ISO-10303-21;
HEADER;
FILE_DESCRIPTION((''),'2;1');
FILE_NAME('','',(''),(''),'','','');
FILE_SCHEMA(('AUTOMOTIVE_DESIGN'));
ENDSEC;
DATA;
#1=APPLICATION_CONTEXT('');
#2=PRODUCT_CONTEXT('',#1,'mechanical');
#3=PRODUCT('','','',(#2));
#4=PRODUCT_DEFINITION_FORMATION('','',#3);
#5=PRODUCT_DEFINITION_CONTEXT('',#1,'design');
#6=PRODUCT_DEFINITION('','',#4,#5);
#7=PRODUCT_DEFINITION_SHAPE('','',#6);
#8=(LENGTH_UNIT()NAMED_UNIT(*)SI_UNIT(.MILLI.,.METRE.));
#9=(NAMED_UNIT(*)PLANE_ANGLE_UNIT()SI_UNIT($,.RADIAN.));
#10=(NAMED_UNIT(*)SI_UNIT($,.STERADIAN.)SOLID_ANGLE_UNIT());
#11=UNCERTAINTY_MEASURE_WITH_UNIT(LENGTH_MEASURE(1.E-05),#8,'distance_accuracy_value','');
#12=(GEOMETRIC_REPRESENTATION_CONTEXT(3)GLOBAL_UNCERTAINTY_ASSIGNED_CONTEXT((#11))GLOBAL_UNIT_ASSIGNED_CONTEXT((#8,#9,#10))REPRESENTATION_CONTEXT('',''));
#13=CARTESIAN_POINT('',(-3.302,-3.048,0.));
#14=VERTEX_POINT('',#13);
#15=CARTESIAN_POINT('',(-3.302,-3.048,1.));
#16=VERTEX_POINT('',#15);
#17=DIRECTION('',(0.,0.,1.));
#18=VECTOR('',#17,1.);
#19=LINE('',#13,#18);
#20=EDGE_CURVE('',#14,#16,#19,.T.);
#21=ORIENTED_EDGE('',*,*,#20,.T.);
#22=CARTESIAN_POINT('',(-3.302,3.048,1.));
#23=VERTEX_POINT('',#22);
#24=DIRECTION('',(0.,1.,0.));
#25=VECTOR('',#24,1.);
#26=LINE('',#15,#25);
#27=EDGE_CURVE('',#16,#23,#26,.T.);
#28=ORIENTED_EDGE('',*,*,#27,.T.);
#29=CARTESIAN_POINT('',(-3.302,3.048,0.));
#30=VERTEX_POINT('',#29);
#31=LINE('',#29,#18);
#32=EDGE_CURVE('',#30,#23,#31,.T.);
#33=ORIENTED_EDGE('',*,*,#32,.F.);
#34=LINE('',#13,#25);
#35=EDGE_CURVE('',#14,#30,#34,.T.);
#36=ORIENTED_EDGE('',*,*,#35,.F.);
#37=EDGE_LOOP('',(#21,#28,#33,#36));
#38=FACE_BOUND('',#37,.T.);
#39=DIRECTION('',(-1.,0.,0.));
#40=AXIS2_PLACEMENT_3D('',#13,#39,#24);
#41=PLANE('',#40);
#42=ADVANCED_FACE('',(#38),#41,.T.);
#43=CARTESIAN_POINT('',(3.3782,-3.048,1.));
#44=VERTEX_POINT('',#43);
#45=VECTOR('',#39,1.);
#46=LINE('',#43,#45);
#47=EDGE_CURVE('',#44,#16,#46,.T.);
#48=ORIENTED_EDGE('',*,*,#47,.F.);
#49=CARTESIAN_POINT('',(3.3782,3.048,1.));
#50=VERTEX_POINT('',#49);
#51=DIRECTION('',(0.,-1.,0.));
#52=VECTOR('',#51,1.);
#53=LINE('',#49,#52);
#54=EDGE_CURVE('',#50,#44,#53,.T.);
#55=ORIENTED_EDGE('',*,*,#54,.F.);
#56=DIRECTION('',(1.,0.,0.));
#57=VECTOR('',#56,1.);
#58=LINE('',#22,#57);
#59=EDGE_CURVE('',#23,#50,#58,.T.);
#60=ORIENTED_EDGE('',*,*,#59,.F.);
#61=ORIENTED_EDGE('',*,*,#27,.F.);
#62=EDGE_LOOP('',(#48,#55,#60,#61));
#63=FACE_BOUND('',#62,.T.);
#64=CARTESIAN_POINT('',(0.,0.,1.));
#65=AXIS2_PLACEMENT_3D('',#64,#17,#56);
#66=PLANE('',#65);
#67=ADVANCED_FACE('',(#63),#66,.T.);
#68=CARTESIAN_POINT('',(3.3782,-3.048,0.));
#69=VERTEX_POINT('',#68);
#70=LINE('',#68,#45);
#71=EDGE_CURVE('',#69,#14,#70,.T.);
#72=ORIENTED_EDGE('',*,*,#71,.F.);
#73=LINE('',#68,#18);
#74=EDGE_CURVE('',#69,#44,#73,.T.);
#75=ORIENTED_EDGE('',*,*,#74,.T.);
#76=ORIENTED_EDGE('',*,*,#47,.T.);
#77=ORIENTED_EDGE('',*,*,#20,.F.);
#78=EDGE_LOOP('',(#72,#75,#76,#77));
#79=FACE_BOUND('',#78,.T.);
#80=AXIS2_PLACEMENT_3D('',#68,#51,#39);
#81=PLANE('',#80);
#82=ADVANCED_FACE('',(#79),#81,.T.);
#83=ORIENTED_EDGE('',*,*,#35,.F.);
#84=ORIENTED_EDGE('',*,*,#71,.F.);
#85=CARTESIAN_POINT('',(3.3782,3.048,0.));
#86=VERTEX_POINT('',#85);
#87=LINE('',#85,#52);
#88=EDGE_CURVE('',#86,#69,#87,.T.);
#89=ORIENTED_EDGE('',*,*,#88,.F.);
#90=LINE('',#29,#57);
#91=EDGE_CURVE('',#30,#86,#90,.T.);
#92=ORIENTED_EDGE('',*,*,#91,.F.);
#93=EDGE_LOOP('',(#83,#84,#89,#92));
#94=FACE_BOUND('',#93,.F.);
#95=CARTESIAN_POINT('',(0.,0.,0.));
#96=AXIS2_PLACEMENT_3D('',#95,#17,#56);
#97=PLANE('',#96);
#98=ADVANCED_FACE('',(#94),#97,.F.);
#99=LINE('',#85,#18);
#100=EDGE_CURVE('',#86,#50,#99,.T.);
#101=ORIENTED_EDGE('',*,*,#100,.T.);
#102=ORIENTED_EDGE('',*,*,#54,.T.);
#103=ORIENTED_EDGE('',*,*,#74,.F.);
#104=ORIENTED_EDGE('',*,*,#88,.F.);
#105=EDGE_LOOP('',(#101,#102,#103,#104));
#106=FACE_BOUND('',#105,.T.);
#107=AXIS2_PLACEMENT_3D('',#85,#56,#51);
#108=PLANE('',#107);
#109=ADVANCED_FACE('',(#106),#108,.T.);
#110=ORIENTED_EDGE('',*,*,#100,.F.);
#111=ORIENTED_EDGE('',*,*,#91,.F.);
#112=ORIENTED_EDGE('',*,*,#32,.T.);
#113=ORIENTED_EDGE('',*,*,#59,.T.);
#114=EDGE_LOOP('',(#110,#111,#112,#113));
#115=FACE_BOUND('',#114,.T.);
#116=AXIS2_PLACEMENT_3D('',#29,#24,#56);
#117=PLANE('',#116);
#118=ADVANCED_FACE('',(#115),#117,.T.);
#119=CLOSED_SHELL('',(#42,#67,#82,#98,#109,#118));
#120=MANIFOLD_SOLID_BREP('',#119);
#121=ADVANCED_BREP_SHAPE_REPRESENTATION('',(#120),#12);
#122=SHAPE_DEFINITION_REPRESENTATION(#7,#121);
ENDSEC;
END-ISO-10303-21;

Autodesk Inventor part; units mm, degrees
ref_plane "YZ Plane" through (0, 0, 0) normal (1, 0, 0) x (0, 1, 0)
ref_plane "XZ Plane" through (0, 0, 0) normal (0, 1, 0) x (-1, 0, 0)
ref_plane "XY Plane" through (0, 0, 0) normal (0, 0, 1) x (1, 0, 0)
sketch "B3F-10XX, BUTTON2_B3F-10XX_5" plane through (0, 0, 0) normal (0, 0, 1) x (1, 0, 0)
  line L0 (-3.302, 3.048) -> (3.3782, 3.048)
  line L1 (3.3782, 3.048) -> (3.3782, -3.048)
  line L2 (3.3782, -3.048) -> (-3.302, -3.048)
  line L3 (-3.302, -3.048) -> (-3.302, 3.048)
extrude "Extrusion1" add sketch "B3F-10XX, BUTTON2_B3F-10XX_5" along normal blind 1
properties part number "BUTTON2_B3F-10XX"
